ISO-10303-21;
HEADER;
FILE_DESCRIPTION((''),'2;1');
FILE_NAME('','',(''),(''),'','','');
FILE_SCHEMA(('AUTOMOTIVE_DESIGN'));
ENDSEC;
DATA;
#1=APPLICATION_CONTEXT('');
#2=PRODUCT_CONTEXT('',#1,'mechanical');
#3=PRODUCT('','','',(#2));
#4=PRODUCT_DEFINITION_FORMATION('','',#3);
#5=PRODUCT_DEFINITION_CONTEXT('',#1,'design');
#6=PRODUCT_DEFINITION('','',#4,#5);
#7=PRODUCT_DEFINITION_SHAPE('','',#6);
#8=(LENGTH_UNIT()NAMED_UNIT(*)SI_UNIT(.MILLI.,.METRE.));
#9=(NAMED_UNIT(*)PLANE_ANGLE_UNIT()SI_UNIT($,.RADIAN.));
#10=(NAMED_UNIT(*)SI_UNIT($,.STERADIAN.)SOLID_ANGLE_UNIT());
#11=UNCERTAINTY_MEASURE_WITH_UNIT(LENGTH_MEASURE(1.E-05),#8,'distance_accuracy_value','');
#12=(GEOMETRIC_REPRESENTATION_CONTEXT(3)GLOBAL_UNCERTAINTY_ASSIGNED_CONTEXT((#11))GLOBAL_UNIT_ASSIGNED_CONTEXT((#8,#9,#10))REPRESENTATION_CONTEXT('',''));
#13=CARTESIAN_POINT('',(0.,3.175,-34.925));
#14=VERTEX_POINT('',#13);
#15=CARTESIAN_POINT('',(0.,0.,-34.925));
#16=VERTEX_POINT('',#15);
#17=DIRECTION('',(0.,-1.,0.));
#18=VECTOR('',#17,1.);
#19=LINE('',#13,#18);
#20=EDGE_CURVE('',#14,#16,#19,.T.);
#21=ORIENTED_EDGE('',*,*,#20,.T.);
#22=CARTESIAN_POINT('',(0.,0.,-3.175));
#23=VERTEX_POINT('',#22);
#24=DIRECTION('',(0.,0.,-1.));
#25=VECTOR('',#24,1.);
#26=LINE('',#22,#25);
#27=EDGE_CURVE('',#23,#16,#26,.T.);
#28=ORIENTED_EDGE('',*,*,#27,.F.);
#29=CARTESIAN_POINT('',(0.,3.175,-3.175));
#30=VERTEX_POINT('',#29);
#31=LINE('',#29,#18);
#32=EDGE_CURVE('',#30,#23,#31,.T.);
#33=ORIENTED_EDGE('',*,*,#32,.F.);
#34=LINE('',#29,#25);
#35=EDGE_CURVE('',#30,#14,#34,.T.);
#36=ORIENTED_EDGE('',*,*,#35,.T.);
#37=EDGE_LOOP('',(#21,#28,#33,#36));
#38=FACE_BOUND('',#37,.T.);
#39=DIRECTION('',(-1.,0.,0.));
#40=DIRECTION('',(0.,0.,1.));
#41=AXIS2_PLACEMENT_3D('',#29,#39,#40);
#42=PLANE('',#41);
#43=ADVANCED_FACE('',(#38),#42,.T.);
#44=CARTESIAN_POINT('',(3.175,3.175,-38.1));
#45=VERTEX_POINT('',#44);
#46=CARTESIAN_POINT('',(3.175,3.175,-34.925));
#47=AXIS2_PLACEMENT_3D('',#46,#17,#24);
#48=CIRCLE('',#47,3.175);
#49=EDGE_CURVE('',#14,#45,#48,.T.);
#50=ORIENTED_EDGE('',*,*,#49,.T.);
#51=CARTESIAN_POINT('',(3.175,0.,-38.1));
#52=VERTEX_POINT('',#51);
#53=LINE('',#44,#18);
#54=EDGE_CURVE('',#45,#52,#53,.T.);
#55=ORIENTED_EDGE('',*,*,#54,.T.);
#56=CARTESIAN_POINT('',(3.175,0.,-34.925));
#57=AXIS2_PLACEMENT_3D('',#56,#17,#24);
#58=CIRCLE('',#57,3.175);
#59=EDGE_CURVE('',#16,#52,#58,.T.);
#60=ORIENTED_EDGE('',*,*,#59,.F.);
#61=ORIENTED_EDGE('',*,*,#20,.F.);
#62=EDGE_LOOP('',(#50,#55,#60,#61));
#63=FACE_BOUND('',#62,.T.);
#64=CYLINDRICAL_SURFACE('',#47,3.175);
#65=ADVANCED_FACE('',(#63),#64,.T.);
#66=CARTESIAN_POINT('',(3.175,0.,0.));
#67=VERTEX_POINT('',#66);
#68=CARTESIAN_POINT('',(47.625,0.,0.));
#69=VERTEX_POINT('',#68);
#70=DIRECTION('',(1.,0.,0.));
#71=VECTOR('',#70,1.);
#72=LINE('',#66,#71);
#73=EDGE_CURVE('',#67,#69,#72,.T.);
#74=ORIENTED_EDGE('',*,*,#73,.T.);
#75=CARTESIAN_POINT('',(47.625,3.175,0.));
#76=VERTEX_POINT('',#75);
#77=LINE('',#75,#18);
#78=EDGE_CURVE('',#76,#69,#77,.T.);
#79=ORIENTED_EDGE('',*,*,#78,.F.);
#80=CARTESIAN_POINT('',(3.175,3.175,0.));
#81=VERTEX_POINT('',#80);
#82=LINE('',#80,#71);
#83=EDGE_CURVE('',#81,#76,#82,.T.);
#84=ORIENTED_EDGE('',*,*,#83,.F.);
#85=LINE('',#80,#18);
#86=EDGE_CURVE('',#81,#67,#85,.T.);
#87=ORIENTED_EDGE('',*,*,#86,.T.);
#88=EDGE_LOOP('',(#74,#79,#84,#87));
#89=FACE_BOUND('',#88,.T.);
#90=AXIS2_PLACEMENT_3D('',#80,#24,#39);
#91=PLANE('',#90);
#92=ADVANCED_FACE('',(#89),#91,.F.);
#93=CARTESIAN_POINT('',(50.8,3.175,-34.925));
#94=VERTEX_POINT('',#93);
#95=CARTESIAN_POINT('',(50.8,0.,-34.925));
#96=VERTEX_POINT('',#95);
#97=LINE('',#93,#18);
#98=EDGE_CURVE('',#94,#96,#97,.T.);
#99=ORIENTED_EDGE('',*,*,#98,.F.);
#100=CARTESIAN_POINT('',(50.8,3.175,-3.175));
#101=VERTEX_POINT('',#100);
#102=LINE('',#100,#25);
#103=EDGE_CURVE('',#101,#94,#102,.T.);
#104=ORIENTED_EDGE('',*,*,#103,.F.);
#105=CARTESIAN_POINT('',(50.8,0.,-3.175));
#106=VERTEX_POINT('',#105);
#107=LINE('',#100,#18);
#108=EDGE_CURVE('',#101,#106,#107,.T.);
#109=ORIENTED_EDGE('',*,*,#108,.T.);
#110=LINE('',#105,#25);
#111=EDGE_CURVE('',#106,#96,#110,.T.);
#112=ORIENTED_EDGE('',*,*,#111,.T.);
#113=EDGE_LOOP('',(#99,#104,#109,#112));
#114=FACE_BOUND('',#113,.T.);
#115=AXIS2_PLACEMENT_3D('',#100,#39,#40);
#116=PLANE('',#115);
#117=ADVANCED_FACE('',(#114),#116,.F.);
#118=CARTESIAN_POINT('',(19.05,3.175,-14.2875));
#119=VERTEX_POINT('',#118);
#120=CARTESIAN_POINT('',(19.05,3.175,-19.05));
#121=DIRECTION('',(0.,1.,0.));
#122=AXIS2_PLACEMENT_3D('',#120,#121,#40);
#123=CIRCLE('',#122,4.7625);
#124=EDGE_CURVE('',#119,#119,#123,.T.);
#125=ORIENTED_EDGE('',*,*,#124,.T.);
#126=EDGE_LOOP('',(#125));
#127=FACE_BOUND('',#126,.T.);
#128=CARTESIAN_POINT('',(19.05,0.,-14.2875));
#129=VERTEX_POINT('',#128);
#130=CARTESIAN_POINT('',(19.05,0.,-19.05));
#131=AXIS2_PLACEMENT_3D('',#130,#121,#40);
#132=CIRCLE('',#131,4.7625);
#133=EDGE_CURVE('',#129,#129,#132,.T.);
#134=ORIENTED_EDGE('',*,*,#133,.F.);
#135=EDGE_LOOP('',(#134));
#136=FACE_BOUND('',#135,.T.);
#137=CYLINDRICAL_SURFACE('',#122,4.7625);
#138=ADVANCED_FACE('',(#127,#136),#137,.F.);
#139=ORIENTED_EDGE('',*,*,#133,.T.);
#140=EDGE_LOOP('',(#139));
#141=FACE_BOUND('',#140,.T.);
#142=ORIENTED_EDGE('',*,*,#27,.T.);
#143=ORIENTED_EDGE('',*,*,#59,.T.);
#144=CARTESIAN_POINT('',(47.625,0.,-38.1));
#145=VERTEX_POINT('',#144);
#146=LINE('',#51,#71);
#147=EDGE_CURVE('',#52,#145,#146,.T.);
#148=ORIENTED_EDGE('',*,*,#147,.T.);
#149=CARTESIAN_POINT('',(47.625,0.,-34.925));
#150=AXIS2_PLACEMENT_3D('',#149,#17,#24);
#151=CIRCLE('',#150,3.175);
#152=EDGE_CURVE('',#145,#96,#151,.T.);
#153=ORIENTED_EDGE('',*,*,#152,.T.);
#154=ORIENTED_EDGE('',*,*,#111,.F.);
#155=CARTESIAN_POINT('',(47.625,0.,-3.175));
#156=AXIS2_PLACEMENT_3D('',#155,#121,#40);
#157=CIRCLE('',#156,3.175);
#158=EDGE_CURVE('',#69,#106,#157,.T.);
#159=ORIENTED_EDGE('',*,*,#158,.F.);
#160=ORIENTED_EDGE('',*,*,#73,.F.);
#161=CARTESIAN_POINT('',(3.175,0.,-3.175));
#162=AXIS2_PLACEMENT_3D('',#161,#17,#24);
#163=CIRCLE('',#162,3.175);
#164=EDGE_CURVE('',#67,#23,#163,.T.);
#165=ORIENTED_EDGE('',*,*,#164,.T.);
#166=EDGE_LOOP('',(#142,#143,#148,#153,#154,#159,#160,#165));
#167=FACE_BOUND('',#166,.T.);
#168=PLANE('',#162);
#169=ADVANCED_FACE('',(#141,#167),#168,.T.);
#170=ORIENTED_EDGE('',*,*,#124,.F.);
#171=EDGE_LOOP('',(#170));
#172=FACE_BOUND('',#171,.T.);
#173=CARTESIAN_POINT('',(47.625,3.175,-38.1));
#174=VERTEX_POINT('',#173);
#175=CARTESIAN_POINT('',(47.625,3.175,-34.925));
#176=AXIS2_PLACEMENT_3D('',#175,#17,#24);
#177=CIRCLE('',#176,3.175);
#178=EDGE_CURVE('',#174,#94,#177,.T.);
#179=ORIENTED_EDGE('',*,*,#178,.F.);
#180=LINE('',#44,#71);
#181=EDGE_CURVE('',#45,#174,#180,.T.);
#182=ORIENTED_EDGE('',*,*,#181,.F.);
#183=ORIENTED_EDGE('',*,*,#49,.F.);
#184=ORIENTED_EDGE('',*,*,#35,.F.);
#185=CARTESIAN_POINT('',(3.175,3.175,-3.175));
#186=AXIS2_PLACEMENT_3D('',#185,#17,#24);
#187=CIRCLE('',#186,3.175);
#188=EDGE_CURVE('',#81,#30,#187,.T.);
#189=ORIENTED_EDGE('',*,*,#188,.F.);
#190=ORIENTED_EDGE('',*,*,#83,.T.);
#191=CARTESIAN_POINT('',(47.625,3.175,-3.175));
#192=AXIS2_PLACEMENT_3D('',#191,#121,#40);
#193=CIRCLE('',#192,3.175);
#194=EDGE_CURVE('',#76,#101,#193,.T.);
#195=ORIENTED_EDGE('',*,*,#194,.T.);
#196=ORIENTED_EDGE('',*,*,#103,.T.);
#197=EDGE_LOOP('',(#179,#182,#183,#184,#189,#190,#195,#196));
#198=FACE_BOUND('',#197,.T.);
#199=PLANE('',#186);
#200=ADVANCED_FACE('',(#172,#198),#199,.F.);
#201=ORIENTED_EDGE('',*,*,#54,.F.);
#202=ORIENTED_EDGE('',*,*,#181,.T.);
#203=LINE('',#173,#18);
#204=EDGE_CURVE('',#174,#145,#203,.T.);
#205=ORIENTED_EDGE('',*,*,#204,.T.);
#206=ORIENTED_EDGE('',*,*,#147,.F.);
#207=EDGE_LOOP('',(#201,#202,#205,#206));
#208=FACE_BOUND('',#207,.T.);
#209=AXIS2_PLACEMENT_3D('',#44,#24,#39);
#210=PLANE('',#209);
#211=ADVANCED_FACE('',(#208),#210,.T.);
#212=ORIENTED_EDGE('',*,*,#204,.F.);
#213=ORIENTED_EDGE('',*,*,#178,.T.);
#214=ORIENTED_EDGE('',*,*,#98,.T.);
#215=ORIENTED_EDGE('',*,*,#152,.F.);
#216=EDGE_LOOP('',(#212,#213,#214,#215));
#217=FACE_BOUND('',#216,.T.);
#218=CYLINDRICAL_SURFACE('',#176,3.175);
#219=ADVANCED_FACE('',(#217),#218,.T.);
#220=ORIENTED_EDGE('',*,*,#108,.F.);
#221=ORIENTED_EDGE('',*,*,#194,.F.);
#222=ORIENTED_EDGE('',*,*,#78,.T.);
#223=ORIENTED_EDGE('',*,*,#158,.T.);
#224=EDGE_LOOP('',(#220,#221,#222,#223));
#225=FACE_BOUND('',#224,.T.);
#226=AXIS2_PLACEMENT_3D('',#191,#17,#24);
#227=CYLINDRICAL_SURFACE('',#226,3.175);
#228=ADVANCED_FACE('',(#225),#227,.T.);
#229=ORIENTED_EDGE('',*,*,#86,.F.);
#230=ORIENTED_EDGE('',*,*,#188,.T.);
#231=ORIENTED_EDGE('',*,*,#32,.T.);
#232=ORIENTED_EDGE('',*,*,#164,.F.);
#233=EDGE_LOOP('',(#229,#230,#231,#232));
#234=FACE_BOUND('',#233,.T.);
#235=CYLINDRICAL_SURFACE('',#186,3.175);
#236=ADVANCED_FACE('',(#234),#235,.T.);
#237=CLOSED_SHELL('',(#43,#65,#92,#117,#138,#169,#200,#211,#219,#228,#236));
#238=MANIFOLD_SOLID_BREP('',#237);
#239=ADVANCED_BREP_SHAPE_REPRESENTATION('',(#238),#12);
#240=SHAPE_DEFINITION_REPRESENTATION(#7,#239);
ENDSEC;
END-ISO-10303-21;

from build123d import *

# Parameters (mm, degrees)
BOSS_EXTRUDE1_DEPTH          = 3.175
F_3_8_0_375_DIAMETER_HOLE1_D = 9.525


with BuildPart() as part:
    # Sketch1 → Boss-Extrude1 (new body)
    with BuildSketch(Plane(origin=(0, 0, 0), x_dir=(1, 0, 0), z_dir=(0, 1, 0))):
        with BuildLine():
            Line((3.175, 0), (47.625, 0))
            ThreePointArc((47.625, 0), (49.87006403, 0.92993597), (50.8, 3.175))
            Line((50.8, 3.175), (50.8, 34.925))
            ThreePointArc((50.8, 34.925), (49.87006403, 37.17006403), (47.625, 38.1))
            Line((47.625, 38.1), (3.175, 38.1))
            ThreePointArc((3.175, 38.1), (0.92993597, 37.17006403), (0, 34.925))
            Line((0, 34.925), (0, 3.175))
            ThreePointArc((0, 3.175), (0.92993597, 0.92993597), (3.175, 0))
        make_face()
    extrude(amount=BOSS_EXTRUDE1_DEPTH)

    # 3/8 (0.375) Diameter Hole1 (through all)
    with Locations(Plane(origin=(0, 3.175, 0), x_dir=(1, 0, 0), z_dir=(0, 1, 0))):
        with Locations((19.05, 19.05)):
            Hole(F_3_8_0_375_DIAMETER_HOLE1_D / 2)


solid = part.part
